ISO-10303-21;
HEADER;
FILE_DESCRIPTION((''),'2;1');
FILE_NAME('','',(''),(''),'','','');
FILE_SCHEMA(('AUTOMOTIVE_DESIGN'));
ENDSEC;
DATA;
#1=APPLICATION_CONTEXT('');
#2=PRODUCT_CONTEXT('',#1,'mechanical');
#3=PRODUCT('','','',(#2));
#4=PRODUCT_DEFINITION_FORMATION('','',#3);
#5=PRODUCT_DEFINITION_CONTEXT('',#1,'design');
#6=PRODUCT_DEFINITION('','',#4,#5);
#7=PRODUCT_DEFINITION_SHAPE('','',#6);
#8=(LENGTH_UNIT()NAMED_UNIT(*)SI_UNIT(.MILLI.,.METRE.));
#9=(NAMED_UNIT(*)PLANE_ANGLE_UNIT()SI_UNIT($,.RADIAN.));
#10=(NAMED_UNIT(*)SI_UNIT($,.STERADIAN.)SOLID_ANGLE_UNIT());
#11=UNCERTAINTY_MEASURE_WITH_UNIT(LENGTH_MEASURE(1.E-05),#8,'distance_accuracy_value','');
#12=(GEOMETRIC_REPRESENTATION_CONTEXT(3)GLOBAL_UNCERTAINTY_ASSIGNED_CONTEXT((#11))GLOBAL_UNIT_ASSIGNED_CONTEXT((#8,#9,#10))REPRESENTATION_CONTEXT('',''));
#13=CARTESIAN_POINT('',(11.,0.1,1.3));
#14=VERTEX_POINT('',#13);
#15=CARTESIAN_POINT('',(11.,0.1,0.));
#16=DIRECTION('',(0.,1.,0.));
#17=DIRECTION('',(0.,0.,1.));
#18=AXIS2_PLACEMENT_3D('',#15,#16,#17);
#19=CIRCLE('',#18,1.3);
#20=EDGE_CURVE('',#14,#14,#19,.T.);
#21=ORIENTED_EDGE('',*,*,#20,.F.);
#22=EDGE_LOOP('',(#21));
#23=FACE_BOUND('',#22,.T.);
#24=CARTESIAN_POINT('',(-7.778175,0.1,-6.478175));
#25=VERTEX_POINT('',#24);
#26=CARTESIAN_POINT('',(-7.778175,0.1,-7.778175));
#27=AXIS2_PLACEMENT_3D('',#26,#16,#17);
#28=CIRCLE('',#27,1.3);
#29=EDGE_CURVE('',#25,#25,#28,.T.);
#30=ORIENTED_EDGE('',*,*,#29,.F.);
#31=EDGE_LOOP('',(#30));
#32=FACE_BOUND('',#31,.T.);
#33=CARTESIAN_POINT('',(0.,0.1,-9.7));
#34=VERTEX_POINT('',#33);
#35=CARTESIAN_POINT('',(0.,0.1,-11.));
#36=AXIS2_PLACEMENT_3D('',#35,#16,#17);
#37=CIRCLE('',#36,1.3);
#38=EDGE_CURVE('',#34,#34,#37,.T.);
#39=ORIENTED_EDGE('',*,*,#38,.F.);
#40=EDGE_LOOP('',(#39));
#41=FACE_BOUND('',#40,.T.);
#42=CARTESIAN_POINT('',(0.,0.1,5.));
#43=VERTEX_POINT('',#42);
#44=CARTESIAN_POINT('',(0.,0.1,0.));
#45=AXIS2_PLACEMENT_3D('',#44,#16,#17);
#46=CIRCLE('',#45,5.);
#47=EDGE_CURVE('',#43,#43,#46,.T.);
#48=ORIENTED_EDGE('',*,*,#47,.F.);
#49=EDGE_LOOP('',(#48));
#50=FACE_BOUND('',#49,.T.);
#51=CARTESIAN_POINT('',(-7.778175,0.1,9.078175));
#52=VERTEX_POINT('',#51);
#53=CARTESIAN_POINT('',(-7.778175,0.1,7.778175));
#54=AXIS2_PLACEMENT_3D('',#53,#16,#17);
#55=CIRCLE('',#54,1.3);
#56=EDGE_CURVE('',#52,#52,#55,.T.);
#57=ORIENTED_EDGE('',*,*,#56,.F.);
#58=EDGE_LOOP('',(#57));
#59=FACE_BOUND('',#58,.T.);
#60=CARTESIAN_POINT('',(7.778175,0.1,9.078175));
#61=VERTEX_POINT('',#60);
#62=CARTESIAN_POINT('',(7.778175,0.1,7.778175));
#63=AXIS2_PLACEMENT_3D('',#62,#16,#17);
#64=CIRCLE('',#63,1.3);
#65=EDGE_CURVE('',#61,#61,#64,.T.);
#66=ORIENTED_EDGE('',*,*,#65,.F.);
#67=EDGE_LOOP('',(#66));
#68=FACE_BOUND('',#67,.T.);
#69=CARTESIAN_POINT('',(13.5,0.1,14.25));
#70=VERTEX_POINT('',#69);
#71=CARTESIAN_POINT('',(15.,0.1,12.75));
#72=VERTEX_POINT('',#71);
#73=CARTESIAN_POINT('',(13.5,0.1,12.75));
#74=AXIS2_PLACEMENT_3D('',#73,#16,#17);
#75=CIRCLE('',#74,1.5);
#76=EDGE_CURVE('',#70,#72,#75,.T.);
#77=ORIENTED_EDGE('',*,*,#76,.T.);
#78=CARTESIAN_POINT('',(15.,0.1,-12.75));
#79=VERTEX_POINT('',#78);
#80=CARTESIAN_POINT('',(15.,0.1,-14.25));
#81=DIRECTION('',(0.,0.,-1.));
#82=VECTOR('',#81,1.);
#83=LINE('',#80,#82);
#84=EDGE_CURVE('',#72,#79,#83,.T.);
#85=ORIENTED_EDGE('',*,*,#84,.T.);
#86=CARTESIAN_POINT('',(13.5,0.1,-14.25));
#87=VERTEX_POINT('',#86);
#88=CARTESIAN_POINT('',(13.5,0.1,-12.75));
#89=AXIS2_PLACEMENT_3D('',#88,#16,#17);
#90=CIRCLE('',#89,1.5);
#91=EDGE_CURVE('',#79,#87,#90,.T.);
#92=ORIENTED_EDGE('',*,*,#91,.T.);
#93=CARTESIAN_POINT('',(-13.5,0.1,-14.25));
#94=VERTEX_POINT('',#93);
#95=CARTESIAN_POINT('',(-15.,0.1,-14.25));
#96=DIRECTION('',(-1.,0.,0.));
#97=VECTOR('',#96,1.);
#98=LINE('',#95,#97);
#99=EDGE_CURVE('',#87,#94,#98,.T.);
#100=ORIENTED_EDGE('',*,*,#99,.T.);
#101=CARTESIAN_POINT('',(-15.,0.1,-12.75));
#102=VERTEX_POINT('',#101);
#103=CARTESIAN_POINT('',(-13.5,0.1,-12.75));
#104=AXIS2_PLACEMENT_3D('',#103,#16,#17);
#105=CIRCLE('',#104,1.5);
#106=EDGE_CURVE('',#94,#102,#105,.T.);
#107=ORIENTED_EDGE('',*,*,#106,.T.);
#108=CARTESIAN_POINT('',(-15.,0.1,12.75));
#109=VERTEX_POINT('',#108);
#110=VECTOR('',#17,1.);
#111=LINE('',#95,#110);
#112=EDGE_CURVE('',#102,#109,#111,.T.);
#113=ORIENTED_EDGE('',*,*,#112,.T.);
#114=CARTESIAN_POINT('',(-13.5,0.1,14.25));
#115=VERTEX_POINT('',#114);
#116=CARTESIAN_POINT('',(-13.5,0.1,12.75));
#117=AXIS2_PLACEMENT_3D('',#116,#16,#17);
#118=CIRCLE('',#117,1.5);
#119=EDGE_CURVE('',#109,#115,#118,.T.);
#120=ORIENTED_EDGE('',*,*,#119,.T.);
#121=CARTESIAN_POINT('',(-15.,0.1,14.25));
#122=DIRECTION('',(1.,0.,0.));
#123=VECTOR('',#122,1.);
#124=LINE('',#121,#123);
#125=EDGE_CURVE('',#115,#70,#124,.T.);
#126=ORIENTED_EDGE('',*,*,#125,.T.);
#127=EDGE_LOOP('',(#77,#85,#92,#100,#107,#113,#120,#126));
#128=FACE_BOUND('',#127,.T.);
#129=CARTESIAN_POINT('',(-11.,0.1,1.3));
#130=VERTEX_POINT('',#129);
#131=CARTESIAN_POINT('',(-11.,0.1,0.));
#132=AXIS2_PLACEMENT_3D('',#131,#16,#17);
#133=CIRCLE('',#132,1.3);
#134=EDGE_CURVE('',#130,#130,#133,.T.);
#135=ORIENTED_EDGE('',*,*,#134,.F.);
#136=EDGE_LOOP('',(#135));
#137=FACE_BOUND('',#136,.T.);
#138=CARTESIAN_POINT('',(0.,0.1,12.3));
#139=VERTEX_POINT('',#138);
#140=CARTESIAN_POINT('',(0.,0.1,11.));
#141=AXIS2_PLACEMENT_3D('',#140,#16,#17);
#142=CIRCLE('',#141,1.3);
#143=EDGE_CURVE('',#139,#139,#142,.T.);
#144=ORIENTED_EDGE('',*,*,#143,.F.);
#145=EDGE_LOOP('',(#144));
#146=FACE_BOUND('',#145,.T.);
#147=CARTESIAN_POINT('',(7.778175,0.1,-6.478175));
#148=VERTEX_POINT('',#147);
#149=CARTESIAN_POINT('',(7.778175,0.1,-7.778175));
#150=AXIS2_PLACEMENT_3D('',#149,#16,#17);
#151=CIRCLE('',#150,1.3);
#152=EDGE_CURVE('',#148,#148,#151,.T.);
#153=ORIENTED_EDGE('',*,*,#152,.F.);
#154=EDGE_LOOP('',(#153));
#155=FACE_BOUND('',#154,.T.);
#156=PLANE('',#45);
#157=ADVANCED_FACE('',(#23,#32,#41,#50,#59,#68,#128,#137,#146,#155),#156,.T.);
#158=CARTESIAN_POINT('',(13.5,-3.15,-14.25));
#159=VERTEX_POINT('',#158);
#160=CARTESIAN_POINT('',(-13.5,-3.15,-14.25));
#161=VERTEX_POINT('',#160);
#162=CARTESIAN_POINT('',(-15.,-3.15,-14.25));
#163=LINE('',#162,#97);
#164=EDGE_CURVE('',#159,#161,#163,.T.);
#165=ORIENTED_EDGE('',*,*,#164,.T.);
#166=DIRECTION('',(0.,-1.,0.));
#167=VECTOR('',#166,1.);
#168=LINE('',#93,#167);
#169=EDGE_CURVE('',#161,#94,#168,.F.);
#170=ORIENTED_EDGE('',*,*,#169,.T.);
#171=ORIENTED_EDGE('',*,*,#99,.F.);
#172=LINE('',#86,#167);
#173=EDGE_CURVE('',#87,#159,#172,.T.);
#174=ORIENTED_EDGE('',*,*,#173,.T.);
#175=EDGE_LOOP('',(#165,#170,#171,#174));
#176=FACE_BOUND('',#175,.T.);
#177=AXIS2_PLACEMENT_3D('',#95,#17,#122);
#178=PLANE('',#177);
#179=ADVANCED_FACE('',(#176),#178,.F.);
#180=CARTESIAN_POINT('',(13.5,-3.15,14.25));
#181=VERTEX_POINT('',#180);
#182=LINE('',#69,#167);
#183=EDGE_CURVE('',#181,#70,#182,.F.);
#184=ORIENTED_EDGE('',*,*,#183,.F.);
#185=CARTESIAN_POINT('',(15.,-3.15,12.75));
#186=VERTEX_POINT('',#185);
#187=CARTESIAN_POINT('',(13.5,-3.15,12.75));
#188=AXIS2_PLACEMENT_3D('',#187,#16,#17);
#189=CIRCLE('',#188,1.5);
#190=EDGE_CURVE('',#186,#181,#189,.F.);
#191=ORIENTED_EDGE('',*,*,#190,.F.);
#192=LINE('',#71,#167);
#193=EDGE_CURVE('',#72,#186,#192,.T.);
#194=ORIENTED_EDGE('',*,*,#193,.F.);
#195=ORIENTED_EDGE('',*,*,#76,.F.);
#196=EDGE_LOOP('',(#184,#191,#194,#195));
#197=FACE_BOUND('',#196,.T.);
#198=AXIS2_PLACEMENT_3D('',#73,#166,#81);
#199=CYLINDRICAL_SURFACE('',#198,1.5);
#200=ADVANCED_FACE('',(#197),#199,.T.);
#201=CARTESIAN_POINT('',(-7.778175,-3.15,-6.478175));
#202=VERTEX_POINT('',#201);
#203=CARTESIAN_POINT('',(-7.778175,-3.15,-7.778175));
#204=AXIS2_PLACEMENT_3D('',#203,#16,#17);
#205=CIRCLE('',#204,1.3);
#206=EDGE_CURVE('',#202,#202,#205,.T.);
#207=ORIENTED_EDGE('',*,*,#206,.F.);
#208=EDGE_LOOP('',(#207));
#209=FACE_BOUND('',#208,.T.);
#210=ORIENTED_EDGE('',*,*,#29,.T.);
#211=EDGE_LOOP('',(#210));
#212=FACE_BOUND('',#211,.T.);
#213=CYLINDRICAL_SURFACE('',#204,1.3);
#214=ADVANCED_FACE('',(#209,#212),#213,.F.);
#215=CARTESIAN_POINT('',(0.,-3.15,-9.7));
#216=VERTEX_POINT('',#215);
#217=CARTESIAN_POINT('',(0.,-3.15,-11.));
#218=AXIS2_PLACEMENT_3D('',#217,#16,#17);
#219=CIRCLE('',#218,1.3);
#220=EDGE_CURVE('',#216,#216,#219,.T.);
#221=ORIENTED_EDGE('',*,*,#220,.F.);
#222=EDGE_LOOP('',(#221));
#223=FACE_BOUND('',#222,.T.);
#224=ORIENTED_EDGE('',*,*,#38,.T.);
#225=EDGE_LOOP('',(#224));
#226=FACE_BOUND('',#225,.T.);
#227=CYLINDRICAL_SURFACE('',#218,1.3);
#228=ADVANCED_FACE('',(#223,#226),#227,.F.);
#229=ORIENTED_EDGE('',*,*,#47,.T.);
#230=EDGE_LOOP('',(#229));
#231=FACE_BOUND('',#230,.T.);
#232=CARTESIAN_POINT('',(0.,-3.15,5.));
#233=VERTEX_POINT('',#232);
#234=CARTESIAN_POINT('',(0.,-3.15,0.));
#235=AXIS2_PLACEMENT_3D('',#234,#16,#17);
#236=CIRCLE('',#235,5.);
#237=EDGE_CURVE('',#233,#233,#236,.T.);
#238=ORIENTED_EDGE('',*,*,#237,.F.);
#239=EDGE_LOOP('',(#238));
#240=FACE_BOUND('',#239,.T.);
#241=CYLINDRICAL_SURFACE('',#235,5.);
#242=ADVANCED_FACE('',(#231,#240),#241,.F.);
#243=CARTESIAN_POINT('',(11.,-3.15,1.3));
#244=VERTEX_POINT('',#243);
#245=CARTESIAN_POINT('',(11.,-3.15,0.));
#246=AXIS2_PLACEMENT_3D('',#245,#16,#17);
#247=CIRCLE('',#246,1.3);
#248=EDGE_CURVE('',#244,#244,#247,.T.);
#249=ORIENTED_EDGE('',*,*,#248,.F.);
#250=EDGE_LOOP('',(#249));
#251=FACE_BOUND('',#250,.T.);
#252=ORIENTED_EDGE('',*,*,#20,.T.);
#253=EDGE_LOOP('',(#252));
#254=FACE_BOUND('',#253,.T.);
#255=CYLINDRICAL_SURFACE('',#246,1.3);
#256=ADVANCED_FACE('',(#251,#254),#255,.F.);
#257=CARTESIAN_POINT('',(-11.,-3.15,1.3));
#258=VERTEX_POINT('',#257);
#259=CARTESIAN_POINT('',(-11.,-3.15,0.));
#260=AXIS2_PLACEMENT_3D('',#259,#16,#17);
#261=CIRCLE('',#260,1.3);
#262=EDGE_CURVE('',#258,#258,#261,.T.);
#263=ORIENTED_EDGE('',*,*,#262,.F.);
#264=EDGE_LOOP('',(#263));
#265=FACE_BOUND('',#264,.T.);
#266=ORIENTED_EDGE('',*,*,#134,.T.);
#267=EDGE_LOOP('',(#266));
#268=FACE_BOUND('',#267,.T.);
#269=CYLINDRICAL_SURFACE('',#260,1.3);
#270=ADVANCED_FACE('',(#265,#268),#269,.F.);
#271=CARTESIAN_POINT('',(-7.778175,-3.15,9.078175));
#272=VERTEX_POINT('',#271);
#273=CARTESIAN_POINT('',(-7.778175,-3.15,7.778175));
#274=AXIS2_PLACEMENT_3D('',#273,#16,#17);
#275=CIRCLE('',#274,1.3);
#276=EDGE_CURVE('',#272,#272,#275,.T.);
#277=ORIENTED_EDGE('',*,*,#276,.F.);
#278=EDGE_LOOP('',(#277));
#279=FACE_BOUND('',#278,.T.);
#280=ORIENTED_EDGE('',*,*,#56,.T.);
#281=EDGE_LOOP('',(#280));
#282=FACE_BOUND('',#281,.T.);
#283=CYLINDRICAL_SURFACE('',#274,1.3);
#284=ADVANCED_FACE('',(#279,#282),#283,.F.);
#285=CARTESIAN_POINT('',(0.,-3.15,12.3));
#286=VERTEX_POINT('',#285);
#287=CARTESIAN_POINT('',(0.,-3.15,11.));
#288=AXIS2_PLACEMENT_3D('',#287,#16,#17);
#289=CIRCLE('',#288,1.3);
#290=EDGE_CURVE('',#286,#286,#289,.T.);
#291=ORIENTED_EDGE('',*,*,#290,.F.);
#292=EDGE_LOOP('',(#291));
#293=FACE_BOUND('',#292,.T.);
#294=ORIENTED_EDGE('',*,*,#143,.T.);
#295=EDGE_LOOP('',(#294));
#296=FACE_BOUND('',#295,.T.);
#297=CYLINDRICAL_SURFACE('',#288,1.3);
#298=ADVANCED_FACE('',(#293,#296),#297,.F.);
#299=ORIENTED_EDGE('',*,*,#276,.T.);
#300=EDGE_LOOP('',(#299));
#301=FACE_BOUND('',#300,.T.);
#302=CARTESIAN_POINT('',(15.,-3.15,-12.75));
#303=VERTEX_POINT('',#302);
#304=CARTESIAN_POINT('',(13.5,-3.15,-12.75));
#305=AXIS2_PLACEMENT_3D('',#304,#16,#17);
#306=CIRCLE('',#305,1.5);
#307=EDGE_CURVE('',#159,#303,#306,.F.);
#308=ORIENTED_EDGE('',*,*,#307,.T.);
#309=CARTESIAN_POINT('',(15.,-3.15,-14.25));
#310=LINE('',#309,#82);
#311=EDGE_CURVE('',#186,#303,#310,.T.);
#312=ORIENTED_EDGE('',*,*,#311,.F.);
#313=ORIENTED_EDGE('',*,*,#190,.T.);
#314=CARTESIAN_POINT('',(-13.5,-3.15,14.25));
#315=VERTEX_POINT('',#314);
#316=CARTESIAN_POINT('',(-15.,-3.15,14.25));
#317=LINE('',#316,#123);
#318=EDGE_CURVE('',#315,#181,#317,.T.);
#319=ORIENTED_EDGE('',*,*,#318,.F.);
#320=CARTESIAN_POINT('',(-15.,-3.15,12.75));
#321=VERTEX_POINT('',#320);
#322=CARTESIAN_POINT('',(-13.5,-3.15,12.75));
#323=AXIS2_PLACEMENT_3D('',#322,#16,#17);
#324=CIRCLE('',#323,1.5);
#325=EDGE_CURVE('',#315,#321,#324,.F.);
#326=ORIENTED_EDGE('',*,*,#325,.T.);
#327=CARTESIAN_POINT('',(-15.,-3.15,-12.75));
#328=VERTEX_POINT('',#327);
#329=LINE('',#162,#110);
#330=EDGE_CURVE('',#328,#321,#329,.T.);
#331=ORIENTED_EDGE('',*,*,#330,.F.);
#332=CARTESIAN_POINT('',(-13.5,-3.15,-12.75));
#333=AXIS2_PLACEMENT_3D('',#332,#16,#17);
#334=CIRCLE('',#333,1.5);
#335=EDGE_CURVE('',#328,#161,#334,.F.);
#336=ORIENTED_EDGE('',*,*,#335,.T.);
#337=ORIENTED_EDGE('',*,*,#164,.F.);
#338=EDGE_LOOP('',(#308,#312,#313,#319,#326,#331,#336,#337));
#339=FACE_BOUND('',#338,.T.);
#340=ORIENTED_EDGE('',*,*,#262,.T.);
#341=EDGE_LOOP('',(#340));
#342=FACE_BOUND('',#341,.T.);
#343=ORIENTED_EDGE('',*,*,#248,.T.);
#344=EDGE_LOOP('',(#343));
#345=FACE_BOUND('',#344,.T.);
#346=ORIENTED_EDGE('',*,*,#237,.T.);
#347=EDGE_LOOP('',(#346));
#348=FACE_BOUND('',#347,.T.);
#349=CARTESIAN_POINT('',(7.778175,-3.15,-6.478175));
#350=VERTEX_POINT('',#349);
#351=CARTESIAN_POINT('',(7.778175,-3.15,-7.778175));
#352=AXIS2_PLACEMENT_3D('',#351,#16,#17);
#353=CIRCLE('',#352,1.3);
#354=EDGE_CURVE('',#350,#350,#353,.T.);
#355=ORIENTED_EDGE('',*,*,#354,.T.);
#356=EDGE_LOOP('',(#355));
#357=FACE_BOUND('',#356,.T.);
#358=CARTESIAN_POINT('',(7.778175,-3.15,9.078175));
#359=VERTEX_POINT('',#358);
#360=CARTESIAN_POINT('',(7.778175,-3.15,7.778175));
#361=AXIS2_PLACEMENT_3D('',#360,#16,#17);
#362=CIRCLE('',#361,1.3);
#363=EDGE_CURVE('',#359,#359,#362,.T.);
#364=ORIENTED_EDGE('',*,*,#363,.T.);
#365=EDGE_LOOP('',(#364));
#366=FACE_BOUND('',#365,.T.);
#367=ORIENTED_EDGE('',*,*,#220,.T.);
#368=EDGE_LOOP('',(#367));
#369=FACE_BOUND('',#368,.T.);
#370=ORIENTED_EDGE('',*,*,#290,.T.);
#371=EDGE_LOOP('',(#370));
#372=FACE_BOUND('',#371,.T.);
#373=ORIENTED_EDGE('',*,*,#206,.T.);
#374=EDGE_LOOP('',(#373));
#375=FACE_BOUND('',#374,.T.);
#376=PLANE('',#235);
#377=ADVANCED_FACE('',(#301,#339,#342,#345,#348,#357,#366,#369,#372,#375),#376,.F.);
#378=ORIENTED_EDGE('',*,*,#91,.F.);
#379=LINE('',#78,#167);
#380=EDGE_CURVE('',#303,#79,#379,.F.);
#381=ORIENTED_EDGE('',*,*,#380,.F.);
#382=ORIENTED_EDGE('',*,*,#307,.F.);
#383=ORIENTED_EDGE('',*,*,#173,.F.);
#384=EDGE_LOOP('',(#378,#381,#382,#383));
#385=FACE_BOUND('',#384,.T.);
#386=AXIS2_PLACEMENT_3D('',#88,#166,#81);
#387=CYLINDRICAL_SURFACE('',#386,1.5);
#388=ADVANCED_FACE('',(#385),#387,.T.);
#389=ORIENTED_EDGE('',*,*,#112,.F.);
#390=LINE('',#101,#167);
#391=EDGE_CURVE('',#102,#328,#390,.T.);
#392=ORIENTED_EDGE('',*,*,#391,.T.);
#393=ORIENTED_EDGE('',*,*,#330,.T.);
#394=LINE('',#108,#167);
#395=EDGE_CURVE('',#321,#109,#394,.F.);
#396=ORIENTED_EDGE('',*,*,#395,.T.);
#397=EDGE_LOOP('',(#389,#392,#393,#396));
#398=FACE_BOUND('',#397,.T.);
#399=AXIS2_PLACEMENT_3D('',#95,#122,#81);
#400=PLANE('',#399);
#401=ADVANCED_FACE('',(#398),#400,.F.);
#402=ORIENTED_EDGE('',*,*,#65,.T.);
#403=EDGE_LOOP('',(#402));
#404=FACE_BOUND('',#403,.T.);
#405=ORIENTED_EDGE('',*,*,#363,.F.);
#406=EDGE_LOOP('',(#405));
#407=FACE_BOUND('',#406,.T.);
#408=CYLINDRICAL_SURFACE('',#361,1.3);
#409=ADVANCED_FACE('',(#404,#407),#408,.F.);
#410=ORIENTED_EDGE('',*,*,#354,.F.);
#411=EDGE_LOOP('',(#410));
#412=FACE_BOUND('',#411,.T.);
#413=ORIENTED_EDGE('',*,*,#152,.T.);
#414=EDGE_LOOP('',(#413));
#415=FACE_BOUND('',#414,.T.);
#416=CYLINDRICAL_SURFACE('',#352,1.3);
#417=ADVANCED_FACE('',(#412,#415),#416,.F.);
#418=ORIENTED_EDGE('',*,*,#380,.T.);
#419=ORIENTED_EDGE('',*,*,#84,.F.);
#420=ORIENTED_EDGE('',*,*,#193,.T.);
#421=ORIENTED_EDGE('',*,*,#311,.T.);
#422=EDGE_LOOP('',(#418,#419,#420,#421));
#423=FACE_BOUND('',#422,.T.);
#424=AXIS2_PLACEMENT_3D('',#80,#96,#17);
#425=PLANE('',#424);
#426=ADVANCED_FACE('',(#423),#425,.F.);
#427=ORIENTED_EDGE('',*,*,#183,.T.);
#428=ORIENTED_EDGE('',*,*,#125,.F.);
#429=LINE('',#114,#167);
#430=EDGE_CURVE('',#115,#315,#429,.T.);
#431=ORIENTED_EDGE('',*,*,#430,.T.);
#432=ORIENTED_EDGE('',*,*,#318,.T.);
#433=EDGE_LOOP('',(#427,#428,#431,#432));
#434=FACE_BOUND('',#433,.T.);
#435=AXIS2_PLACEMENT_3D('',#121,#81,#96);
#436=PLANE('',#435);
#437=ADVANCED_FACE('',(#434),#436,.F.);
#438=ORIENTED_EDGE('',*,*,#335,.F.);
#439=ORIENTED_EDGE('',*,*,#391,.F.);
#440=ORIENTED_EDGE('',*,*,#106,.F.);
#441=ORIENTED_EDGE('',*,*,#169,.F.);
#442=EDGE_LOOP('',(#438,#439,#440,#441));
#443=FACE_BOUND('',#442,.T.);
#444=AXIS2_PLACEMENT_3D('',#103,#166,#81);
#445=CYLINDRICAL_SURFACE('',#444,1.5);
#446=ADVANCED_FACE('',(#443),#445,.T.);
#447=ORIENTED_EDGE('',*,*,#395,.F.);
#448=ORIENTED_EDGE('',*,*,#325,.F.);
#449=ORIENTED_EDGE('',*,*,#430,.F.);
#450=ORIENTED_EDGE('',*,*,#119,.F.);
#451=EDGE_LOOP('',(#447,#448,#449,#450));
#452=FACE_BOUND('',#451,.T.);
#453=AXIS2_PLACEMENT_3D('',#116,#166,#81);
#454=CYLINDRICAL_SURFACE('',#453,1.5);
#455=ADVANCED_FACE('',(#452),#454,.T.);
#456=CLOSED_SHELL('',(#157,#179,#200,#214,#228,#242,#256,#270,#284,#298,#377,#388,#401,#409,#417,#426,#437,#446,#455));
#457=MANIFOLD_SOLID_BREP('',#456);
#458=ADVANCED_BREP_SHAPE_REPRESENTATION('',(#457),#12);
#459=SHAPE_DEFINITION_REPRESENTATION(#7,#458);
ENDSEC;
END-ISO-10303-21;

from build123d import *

# Parameters (mm, degrees)
SKETCH1_W                = 30
SKETCH1_H                = 28.5
BOSS_EXTRUDE1_DEPTH      = 0.1
BOSS_EXTRUDE1_DEPTH_BACK = 3.15
SKETCH2_R                = 5
SKETCH2_R_2              = 1.3
CUT_EXTRUDE1_DEPTH       = 4.25
FILLET1_R                = 1.5


with BuildPart() as part:
    # Sketch1 → Boss-Extrude1 (new body, two sides)
    with BuildSketch(Plane(origin=(0, 0, 0), x_dir=(1, 0, 0), z_dir=(0, 1, 0))) as boss_extrude1_sk:
        Rectangle(SKETCH1_W, SKETCH1_H)
    extrude(amount=BOSS_EXTRUDE1_DEPTH)
    extrude(boss_extrude1_sk.sketch, amount=-BOSS_EXTRUDE1_DEPTH_BACK)

    # Sketch2 → Cut-Extrude1 (cut, through all)
    with BuildSketch(Plane(origin=(0, 0.1, 0), x_dir=(1, 0, 0), z_dir=(0, 1, 0))):
        Circle(SKETCH2_R)
        with Locations((0, 11)):
            Circle(SKETCH2_R_2)
        with Locations((7.778174593, 7.778174593)):
            Circle(SKETCH2_R_2)
        with Locations((11, 0)):
            Circle(SKETCH2_R_2)
        with Locations((7.778174593, -7.778174593)):
            Circle(SKETCH2_R_2)
        with Locations((0, -11)):
            Circle(SKETCH2_R_2)
        with Locations((-7.778174593, -7.778174593)):
            Circle(SKETCH2_R_2)
        with Locations((-11, 0)):
            Circle(SKETCH2_R_2)
        with Locations((-7.778174593, 7.778174593)):
            Circle(SKETCH2_R_2)
    extrude(amount=-CUT_EXTRUDE1_DEPTH, mode=Mode.SUBTRACT)

    # Fillet1
    fillet1_edges = [part.edges().sort_by_distance(p)[0] for p in [
        (-15, -1.525, -14.25),
        (15, -1.525, -14.25),
        (15, -1.525, 14.25),
        (-15, -1.525, 14.25),
    ]]
    fillet(fillet1_edges, radius=FILLET1_R)


solid = part.part
